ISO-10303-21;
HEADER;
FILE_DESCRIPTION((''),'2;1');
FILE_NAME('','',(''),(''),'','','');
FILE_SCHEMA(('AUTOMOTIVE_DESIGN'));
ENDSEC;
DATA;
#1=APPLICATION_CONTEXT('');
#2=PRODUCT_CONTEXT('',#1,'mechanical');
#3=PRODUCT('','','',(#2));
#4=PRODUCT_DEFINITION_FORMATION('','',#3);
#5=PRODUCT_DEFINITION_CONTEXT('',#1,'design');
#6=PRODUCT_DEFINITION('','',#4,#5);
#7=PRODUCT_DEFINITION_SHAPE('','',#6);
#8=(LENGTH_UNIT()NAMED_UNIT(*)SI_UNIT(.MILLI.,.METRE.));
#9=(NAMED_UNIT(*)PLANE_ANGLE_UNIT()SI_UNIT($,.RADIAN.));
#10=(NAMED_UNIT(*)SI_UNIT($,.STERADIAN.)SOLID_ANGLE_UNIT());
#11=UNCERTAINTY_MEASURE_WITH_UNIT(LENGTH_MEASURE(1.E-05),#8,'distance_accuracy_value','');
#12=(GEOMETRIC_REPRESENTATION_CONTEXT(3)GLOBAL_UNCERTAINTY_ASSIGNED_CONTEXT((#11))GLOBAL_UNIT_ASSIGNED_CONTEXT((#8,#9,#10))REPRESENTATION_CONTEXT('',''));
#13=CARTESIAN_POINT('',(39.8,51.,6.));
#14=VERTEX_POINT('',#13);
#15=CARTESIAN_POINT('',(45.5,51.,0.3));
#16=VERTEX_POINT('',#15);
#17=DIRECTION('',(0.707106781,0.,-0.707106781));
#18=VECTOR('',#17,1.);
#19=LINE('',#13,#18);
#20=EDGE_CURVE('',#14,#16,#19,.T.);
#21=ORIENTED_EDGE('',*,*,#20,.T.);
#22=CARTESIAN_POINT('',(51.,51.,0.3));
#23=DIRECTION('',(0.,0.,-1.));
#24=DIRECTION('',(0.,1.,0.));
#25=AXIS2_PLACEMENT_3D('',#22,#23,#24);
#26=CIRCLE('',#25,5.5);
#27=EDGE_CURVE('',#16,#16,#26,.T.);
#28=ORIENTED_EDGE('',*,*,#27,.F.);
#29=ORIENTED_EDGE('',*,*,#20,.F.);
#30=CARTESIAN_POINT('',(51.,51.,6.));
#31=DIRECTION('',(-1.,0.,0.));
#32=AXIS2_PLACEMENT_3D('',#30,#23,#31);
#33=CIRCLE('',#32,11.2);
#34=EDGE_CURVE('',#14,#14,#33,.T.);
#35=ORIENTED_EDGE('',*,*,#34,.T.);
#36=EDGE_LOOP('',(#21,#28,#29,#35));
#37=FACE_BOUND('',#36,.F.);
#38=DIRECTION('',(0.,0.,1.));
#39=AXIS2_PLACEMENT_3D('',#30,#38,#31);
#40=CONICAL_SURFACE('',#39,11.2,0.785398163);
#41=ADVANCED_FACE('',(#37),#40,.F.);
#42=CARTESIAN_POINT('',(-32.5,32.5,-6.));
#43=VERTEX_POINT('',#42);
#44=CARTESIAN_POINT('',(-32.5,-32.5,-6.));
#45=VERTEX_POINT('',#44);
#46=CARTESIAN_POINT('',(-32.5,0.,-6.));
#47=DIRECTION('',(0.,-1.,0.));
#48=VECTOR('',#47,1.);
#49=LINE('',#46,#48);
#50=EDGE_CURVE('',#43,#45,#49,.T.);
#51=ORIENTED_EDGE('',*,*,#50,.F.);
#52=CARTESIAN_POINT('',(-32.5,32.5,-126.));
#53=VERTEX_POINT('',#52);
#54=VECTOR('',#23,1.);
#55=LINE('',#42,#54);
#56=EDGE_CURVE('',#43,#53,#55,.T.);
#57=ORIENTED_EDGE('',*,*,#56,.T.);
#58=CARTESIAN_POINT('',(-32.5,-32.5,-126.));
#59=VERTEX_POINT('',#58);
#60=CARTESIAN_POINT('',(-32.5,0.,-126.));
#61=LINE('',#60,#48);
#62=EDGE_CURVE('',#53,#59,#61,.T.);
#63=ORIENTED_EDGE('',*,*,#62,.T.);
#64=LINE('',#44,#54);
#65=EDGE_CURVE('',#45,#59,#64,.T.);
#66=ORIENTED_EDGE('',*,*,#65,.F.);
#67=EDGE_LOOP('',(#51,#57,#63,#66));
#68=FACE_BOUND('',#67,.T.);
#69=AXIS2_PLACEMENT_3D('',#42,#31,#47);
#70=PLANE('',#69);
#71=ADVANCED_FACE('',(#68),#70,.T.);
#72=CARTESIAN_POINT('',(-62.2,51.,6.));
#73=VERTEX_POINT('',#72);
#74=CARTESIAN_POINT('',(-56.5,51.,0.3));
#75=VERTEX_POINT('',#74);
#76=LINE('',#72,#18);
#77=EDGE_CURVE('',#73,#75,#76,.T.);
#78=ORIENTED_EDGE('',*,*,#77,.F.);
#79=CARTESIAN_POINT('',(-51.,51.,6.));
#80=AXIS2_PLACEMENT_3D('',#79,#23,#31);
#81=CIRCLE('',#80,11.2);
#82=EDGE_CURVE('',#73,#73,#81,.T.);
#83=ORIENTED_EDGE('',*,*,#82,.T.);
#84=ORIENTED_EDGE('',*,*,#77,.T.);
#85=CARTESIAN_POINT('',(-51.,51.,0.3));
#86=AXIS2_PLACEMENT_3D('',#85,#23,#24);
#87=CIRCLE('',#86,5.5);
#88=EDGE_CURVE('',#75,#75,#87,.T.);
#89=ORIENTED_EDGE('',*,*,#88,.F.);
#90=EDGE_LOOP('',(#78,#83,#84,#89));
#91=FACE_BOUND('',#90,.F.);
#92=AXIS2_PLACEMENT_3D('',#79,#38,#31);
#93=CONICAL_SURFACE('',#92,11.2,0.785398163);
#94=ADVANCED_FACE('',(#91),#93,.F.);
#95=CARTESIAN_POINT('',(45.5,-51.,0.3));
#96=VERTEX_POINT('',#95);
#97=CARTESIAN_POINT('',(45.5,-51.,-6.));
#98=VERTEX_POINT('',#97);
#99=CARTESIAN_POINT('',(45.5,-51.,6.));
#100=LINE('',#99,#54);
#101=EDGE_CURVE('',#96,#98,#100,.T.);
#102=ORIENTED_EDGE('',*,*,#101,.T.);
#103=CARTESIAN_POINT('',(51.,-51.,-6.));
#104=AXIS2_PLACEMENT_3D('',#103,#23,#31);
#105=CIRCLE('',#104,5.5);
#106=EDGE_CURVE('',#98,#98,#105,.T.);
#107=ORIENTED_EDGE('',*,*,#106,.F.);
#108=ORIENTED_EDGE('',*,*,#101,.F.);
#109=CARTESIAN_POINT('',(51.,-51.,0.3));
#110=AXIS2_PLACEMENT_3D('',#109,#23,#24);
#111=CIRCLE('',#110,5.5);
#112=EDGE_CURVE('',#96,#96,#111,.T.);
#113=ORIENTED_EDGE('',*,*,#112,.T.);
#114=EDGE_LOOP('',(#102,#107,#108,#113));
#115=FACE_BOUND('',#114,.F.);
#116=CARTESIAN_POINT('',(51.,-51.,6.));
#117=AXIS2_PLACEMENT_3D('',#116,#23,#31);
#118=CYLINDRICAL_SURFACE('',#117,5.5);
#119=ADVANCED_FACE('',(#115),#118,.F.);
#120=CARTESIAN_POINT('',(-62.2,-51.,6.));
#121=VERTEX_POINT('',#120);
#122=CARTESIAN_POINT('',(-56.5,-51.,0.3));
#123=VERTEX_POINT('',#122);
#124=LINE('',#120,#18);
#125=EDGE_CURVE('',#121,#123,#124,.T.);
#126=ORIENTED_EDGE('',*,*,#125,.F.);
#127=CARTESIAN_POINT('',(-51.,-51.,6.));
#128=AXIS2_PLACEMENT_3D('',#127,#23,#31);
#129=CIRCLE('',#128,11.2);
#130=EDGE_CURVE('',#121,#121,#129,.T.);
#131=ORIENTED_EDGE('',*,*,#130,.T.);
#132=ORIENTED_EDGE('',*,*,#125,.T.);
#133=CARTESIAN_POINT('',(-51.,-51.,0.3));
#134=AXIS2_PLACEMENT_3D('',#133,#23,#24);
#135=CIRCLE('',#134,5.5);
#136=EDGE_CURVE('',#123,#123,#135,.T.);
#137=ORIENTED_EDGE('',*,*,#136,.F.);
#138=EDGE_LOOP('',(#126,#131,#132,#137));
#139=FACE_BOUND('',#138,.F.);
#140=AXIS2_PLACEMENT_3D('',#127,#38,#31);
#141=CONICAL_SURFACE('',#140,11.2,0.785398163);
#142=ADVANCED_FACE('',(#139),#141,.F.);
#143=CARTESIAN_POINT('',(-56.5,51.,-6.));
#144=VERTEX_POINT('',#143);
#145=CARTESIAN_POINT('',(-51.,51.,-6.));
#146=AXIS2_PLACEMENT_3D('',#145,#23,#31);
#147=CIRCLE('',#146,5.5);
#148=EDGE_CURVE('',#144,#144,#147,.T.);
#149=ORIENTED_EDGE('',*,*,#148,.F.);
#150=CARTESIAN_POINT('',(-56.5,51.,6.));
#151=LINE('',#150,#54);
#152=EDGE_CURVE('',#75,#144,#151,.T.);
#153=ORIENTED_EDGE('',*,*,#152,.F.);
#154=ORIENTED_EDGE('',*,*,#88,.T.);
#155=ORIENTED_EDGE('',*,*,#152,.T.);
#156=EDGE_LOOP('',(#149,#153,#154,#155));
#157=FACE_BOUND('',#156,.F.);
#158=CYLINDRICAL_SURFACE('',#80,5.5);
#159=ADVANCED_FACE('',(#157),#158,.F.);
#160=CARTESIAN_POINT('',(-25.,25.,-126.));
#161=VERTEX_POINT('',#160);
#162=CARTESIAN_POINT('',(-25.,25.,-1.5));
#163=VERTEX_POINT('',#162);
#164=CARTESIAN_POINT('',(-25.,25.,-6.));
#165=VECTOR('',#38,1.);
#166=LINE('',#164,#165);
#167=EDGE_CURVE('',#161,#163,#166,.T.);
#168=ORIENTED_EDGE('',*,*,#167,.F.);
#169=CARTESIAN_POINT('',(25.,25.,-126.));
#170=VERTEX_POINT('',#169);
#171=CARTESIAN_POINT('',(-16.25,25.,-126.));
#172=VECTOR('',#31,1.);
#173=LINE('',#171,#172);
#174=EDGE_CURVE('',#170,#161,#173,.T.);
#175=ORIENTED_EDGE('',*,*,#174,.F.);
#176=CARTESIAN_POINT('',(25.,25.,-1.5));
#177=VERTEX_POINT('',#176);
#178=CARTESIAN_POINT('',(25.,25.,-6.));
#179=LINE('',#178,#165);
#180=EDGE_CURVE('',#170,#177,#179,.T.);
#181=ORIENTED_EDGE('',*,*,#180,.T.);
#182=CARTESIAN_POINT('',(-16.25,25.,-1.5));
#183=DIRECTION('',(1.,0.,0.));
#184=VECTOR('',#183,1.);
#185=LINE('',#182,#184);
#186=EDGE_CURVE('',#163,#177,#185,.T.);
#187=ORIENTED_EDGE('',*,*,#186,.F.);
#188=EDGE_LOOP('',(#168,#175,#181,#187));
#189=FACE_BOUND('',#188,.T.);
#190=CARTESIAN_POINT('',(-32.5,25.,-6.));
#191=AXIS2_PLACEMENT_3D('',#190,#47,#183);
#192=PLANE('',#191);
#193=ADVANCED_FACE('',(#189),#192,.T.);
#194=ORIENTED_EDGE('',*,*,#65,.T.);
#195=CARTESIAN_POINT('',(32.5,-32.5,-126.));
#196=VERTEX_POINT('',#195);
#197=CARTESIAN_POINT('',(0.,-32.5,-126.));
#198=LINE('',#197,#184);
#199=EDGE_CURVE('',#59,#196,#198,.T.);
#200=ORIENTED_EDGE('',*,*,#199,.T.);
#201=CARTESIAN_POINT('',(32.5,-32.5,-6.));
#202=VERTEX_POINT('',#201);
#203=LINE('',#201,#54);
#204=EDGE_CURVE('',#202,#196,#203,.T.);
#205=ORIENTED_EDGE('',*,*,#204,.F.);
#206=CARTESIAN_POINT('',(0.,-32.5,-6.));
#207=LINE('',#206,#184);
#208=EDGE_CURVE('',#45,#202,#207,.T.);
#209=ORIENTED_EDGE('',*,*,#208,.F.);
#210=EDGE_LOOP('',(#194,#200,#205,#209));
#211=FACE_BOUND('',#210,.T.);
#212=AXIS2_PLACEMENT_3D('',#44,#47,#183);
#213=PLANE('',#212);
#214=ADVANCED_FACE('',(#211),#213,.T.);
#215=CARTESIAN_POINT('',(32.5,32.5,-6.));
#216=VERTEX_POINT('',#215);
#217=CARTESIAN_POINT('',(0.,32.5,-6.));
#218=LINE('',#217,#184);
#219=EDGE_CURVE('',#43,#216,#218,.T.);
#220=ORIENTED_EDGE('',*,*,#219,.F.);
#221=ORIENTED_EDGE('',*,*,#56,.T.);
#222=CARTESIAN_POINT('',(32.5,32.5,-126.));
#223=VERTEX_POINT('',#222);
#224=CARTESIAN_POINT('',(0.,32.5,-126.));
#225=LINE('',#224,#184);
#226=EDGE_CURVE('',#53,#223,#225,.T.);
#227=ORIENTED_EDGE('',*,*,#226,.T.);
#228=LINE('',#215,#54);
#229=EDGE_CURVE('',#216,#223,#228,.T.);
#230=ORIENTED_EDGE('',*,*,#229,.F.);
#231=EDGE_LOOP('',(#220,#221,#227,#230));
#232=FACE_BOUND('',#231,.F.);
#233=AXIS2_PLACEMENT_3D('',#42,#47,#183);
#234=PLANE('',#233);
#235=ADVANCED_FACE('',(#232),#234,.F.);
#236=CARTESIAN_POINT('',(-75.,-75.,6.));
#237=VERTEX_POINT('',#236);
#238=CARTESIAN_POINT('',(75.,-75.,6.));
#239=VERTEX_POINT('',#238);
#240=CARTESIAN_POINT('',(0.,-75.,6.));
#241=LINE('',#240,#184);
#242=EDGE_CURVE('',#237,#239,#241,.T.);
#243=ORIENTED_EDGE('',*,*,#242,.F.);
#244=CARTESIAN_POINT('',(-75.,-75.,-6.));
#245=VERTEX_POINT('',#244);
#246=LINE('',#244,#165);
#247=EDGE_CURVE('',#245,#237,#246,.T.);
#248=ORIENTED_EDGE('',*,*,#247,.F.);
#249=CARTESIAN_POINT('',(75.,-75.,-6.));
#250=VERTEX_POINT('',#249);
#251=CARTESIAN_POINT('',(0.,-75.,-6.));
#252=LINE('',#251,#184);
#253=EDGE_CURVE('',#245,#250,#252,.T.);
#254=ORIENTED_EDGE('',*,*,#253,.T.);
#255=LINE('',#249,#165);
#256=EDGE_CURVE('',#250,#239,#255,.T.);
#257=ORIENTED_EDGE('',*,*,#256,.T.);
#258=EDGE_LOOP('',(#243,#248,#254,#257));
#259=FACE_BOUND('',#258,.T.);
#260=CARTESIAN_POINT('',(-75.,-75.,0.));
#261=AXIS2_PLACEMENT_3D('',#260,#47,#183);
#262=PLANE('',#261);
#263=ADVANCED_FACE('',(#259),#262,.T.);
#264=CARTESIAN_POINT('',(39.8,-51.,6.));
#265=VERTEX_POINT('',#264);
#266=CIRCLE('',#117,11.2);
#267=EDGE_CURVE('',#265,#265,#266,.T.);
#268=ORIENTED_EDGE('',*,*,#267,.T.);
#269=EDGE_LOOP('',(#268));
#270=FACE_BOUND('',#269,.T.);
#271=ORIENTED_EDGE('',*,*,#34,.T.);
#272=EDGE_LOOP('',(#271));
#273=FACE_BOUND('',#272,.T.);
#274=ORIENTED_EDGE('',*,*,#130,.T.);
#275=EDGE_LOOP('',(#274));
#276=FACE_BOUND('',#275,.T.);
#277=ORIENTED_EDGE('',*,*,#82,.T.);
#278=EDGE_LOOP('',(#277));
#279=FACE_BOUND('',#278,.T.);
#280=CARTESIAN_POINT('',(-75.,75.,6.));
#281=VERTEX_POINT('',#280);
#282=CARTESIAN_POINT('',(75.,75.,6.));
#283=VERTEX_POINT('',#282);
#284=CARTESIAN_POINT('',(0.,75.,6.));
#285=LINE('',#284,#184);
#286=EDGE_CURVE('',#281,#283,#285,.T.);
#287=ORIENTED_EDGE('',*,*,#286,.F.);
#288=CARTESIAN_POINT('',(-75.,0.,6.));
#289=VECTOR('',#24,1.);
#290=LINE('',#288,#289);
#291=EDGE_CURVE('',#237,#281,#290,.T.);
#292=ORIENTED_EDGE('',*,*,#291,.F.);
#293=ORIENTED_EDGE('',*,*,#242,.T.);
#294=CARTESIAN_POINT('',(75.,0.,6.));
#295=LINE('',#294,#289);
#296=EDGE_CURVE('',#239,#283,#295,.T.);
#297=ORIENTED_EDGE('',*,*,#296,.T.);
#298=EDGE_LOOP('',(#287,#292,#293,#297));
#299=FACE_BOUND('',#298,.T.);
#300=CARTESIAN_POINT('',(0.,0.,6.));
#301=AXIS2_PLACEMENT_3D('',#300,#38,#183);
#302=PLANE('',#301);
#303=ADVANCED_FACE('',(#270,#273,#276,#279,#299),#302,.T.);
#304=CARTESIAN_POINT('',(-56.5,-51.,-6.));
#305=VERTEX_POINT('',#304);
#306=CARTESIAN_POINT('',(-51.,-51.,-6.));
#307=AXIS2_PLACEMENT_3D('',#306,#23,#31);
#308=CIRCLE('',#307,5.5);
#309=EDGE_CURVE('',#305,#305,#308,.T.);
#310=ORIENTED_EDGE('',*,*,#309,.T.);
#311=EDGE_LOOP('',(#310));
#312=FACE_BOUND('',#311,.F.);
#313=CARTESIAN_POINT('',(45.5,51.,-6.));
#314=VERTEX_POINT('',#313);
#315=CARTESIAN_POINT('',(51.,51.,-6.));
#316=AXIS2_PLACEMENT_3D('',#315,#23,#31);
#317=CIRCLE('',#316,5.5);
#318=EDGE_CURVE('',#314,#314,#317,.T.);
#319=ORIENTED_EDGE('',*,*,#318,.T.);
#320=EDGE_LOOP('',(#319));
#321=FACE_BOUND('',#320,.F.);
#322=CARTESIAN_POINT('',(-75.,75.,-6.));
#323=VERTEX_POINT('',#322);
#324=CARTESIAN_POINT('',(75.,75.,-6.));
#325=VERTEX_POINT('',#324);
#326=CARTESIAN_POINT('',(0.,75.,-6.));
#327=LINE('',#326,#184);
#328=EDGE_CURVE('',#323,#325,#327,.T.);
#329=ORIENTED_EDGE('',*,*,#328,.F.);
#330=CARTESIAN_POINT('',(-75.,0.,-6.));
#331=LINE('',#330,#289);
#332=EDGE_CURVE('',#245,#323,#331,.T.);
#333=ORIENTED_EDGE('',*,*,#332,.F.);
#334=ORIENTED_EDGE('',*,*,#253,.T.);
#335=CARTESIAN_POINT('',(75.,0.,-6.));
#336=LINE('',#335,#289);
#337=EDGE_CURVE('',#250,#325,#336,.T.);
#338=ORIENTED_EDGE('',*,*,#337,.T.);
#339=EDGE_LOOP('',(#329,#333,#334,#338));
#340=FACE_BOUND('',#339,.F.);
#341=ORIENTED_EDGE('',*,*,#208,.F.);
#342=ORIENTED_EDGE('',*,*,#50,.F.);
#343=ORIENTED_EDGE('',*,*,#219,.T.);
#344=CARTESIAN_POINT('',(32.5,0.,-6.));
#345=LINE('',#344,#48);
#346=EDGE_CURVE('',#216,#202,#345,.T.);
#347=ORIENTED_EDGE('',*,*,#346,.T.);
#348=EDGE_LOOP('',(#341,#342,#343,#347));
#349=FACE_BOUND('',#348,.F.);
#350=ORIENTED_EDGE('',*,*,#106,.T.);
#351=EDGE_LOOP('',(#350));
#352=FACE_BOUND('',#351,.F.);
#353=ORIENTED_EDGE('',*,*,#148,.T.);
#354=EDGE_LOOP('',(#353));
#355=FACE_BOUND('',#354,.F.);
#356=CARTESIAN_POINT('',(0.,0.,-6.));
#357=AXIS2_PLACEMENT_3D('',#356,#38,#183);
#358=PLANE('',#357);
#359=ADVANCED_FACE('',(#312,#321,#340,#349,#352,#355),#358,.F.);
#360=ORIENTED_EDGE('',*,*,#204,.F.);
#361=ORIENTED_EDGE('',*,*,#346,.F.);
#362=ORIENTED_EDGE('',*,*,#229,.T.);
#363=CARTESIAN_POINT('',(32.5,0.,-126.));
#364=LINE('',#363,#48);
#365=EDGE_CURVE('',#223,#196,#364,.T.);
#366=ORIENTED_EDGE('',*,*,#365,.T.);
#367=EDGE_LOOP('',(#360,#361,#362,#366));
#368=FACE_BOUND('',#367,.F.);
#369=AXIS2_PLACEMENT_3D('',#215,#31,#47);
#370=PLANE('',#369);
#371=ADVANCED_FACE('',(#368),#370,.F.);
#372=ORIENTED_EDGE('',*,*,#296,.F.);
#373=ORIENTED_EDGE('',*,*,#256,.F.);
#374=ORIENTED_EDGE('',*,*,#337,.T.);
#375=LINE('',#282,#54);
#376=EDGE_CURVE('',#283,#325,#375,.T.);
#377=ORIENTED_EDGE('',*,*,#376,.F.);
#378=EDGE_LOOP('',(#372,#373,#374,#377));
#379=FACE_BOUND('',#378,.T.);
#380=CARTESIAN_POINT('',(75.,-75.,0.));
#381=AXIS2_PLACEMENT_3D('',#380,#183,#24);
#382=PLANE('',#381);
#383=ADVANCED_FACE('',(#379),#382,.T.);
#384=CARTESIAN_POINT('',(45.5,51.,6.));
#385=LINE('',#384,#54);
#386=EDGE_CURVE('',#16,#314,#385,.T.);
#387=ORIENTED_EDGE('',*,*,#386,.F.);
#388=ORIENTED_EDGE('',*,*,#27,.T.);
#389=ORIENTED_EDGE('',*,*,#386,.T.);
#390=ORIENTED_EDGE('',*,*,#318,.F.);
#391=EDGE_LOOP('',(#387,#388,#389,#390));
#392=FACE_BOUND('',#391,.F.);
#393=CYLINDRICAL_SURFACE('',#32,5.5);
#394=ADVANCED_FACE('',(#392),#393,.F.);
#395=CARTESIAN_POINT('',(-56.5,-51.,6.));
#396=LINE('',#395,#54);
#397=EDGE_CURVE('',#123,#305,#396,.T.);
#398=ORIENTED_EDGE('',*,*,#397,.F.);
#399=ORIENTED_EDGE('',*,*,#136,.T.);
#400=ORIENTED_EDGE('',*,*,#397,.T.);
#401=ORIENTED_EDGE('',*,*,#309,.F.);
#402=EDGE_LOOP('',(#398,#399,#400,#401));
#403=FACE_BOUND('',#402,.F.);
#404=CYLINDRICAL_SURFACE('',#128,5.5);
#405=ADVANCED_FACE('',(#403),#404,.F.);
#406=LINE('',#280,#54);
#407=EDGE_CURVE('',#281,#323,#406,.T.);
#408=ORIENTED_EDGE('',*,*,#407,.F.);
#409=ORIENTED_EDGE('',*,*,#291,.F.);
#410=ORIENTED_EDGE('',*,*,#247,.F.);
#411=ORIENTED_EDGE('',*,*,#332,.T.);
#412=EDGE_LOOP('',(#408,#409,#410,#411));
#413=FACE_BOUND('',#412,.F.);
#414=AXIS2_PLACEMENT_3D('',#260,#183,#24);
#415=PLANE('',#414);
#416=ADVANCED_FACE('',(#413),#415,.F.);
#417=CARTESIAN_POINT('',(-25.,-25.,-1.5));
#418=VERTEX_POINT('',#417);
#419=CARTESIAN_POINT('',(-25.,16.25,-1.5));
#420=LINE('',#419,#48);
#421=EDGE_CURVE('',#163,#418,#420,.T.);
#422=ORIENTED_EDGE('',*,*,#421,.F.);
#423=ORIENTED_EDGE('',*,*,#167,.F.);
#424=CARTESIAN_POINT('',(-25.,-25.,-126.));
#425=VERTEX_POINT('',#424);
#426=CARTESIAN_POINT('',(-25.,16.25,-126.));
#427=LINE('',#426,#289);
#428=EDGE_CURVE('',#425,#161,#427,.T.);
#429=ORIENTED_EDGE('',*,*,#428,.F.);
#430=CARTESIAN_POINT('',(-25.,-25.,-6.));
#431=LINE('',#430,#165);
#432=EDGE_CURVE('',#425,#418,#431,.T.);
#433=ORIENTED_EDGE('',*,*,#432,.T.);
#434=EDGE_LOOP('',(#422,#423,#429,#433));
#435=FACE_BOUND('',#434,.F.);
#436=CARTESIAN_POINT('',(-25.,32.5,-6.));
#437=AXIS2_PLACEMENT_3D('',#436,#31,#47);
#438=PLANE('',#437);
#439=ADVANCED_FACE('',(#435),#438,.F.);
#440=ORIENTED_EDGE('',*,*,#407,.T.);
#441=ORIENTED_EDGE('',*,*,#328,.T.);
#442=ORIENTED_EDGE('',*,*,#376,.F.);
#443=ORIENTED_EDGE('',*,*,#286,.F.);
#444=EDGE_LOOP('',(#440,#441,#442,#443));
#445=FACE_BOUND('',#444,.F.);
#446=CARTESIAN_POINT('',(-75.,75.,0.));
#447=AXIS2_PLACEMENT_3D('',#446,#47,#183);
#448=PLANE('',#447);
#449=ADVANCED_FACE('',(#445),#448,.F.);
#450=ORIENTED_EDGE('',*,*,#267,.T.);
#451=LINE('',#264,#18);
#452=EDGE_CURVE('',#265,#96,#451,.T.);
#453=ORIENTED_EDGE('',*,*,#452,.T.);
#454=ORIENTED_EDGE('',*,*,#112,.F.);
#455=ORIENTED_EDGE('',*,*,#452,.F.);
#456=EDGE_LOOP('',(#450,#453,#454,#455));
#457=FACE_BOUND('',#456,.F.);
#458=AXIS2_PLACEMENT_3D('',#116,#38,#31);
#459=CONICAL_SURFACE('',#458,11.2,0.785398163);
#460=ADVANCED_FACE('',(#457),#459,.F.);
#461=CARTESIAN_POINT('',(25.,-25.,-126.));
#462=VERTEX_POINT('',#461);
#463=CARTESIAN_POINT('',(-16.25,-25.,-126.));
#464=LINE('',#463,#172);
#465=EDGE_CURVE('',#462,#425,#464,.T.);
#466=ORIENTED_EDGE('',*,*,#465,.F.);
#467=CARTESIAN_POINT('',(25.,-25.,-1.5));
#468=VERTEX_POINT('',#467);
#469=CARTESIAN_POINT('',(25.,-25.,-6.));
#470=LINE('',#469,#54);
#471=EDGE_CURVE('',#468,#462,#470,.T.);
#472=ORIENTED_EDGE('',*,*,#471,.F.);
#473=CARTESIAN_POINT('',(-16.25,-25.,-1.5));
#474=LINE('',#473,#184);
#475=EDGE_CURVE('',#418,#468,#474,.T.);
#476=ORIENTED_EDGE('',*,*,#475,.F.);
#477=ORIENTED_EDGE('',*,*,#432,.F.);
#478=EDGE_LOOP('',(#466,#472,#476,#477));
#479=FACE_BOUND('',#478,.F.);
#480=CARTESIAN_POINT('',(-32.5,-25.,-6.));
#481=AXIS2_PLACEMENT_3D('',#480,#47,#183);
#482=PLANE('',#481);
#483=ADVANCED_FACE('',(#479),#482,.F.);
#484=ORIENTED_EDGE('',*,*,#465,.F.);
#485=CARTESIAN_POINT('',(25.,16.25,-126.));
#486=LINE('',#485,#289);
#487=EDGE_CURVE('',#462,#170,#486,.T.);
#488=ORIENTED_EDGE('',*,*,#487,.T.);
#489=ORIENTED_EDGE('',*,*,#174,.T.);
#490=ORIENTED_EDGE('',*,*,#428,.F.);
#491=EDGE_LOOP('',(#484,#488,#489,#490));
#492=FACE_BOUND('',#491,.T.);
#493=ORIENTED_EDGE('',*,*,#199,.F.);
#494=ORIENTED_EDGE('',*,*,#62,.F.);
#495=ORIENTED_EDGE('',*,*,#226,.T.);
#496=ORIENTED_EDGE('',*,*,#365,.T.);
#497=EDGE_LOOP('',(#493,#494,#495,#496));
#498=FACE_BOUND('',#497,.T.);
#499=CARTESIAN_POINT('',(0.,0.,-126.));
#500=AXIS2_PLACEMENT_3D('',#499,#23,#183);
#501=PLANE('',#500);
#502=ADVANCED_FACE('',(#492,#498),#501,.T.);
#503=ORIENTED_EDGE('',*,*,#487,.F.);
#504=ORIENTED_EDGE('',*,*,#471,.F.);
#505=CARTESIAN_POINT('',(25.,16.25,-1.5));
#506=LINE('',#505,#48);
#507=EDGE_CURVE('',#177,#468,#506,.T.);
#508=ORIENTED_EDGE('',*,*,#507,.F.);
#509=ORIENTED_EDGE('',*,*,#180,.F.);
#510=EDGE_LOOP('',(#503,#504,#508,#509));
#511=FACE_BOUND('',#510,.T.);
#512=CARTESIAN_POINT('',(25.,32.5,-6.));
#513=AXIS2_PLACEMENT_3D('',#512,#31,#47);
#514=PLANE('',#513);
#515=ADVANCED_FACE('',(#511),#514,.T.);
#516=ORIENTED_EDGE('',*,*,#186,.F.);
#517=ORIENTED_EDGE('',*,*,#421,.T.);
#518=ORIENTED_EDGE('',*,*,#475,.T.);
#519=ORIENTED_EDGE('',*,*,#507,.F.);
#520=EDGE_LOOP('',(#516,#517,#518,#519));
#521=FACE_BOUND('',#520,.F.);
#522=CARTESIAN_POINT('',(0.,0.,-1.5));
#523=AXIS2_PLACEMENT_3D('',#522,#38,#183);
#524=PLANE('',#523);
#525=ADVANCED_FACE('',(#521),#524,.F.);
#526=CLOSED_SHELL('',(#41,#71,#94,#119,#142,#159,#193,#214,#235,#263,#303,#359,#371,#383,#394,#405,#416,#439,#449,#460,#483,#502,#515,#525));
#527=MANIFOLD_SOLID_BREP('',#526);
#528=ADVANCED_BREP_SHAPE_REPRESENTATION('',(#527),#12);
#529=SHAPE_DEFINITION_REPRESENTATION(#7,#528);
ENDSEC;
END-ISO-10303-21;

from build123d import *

# Parameters (mm, degrees)
F0_W           = 150
F0_H           = 150
F1_DEPTH       = 6
F1_DEPTH_BACK  = 6
F3_D           = 11
F3_CSINK_D     = 22.4
F3_CSINK_ANGLE = 90
F4_W           = 65
F4_H           = 65
F5_DEPTH       = 120
F6_T           = -7.5


with BuildPart() as f1:
    # F0 (on Top) → F1 (new body, two sides)
    with BuildSketch(Plane.XY) as f1_sk:
        Rectangle(F0_W, F0_H)
    extrude(amount=F1_DEPTH)
    extrude(f1_sk.sketch, amount=-F1_DEPTH_BACK)

    # F3 (through all)
    with Locations(Plane.XY.offset(6)):
        with Locations((-51, 51), (51, 51), (51, -51), (-51, -51)):
            CounterSinkHole(F3_D / 2, F3_CSINK_D / 2, counter_sink_angle=F3_CSINK_ANGLE)

    # F4 (on face) → F5 (join)
    with BuildSketch(Plane(origin=(0, 0, -6), x_dir=(1, 0, 0), z_dir=(0, 0, -1))):
        Rectangle(F4_W, F4_H)
    extrude(amount=F5_DEPTH)

    # F6
    f6_openings = [f1.faces().sort_by_distance(p)[0] for p in [
        (0, 0, -126),
    ]]
    offset(amount=F6_T, openings=f6_openings, kind=Kind.INTERSECTION)


solid = f1.part
